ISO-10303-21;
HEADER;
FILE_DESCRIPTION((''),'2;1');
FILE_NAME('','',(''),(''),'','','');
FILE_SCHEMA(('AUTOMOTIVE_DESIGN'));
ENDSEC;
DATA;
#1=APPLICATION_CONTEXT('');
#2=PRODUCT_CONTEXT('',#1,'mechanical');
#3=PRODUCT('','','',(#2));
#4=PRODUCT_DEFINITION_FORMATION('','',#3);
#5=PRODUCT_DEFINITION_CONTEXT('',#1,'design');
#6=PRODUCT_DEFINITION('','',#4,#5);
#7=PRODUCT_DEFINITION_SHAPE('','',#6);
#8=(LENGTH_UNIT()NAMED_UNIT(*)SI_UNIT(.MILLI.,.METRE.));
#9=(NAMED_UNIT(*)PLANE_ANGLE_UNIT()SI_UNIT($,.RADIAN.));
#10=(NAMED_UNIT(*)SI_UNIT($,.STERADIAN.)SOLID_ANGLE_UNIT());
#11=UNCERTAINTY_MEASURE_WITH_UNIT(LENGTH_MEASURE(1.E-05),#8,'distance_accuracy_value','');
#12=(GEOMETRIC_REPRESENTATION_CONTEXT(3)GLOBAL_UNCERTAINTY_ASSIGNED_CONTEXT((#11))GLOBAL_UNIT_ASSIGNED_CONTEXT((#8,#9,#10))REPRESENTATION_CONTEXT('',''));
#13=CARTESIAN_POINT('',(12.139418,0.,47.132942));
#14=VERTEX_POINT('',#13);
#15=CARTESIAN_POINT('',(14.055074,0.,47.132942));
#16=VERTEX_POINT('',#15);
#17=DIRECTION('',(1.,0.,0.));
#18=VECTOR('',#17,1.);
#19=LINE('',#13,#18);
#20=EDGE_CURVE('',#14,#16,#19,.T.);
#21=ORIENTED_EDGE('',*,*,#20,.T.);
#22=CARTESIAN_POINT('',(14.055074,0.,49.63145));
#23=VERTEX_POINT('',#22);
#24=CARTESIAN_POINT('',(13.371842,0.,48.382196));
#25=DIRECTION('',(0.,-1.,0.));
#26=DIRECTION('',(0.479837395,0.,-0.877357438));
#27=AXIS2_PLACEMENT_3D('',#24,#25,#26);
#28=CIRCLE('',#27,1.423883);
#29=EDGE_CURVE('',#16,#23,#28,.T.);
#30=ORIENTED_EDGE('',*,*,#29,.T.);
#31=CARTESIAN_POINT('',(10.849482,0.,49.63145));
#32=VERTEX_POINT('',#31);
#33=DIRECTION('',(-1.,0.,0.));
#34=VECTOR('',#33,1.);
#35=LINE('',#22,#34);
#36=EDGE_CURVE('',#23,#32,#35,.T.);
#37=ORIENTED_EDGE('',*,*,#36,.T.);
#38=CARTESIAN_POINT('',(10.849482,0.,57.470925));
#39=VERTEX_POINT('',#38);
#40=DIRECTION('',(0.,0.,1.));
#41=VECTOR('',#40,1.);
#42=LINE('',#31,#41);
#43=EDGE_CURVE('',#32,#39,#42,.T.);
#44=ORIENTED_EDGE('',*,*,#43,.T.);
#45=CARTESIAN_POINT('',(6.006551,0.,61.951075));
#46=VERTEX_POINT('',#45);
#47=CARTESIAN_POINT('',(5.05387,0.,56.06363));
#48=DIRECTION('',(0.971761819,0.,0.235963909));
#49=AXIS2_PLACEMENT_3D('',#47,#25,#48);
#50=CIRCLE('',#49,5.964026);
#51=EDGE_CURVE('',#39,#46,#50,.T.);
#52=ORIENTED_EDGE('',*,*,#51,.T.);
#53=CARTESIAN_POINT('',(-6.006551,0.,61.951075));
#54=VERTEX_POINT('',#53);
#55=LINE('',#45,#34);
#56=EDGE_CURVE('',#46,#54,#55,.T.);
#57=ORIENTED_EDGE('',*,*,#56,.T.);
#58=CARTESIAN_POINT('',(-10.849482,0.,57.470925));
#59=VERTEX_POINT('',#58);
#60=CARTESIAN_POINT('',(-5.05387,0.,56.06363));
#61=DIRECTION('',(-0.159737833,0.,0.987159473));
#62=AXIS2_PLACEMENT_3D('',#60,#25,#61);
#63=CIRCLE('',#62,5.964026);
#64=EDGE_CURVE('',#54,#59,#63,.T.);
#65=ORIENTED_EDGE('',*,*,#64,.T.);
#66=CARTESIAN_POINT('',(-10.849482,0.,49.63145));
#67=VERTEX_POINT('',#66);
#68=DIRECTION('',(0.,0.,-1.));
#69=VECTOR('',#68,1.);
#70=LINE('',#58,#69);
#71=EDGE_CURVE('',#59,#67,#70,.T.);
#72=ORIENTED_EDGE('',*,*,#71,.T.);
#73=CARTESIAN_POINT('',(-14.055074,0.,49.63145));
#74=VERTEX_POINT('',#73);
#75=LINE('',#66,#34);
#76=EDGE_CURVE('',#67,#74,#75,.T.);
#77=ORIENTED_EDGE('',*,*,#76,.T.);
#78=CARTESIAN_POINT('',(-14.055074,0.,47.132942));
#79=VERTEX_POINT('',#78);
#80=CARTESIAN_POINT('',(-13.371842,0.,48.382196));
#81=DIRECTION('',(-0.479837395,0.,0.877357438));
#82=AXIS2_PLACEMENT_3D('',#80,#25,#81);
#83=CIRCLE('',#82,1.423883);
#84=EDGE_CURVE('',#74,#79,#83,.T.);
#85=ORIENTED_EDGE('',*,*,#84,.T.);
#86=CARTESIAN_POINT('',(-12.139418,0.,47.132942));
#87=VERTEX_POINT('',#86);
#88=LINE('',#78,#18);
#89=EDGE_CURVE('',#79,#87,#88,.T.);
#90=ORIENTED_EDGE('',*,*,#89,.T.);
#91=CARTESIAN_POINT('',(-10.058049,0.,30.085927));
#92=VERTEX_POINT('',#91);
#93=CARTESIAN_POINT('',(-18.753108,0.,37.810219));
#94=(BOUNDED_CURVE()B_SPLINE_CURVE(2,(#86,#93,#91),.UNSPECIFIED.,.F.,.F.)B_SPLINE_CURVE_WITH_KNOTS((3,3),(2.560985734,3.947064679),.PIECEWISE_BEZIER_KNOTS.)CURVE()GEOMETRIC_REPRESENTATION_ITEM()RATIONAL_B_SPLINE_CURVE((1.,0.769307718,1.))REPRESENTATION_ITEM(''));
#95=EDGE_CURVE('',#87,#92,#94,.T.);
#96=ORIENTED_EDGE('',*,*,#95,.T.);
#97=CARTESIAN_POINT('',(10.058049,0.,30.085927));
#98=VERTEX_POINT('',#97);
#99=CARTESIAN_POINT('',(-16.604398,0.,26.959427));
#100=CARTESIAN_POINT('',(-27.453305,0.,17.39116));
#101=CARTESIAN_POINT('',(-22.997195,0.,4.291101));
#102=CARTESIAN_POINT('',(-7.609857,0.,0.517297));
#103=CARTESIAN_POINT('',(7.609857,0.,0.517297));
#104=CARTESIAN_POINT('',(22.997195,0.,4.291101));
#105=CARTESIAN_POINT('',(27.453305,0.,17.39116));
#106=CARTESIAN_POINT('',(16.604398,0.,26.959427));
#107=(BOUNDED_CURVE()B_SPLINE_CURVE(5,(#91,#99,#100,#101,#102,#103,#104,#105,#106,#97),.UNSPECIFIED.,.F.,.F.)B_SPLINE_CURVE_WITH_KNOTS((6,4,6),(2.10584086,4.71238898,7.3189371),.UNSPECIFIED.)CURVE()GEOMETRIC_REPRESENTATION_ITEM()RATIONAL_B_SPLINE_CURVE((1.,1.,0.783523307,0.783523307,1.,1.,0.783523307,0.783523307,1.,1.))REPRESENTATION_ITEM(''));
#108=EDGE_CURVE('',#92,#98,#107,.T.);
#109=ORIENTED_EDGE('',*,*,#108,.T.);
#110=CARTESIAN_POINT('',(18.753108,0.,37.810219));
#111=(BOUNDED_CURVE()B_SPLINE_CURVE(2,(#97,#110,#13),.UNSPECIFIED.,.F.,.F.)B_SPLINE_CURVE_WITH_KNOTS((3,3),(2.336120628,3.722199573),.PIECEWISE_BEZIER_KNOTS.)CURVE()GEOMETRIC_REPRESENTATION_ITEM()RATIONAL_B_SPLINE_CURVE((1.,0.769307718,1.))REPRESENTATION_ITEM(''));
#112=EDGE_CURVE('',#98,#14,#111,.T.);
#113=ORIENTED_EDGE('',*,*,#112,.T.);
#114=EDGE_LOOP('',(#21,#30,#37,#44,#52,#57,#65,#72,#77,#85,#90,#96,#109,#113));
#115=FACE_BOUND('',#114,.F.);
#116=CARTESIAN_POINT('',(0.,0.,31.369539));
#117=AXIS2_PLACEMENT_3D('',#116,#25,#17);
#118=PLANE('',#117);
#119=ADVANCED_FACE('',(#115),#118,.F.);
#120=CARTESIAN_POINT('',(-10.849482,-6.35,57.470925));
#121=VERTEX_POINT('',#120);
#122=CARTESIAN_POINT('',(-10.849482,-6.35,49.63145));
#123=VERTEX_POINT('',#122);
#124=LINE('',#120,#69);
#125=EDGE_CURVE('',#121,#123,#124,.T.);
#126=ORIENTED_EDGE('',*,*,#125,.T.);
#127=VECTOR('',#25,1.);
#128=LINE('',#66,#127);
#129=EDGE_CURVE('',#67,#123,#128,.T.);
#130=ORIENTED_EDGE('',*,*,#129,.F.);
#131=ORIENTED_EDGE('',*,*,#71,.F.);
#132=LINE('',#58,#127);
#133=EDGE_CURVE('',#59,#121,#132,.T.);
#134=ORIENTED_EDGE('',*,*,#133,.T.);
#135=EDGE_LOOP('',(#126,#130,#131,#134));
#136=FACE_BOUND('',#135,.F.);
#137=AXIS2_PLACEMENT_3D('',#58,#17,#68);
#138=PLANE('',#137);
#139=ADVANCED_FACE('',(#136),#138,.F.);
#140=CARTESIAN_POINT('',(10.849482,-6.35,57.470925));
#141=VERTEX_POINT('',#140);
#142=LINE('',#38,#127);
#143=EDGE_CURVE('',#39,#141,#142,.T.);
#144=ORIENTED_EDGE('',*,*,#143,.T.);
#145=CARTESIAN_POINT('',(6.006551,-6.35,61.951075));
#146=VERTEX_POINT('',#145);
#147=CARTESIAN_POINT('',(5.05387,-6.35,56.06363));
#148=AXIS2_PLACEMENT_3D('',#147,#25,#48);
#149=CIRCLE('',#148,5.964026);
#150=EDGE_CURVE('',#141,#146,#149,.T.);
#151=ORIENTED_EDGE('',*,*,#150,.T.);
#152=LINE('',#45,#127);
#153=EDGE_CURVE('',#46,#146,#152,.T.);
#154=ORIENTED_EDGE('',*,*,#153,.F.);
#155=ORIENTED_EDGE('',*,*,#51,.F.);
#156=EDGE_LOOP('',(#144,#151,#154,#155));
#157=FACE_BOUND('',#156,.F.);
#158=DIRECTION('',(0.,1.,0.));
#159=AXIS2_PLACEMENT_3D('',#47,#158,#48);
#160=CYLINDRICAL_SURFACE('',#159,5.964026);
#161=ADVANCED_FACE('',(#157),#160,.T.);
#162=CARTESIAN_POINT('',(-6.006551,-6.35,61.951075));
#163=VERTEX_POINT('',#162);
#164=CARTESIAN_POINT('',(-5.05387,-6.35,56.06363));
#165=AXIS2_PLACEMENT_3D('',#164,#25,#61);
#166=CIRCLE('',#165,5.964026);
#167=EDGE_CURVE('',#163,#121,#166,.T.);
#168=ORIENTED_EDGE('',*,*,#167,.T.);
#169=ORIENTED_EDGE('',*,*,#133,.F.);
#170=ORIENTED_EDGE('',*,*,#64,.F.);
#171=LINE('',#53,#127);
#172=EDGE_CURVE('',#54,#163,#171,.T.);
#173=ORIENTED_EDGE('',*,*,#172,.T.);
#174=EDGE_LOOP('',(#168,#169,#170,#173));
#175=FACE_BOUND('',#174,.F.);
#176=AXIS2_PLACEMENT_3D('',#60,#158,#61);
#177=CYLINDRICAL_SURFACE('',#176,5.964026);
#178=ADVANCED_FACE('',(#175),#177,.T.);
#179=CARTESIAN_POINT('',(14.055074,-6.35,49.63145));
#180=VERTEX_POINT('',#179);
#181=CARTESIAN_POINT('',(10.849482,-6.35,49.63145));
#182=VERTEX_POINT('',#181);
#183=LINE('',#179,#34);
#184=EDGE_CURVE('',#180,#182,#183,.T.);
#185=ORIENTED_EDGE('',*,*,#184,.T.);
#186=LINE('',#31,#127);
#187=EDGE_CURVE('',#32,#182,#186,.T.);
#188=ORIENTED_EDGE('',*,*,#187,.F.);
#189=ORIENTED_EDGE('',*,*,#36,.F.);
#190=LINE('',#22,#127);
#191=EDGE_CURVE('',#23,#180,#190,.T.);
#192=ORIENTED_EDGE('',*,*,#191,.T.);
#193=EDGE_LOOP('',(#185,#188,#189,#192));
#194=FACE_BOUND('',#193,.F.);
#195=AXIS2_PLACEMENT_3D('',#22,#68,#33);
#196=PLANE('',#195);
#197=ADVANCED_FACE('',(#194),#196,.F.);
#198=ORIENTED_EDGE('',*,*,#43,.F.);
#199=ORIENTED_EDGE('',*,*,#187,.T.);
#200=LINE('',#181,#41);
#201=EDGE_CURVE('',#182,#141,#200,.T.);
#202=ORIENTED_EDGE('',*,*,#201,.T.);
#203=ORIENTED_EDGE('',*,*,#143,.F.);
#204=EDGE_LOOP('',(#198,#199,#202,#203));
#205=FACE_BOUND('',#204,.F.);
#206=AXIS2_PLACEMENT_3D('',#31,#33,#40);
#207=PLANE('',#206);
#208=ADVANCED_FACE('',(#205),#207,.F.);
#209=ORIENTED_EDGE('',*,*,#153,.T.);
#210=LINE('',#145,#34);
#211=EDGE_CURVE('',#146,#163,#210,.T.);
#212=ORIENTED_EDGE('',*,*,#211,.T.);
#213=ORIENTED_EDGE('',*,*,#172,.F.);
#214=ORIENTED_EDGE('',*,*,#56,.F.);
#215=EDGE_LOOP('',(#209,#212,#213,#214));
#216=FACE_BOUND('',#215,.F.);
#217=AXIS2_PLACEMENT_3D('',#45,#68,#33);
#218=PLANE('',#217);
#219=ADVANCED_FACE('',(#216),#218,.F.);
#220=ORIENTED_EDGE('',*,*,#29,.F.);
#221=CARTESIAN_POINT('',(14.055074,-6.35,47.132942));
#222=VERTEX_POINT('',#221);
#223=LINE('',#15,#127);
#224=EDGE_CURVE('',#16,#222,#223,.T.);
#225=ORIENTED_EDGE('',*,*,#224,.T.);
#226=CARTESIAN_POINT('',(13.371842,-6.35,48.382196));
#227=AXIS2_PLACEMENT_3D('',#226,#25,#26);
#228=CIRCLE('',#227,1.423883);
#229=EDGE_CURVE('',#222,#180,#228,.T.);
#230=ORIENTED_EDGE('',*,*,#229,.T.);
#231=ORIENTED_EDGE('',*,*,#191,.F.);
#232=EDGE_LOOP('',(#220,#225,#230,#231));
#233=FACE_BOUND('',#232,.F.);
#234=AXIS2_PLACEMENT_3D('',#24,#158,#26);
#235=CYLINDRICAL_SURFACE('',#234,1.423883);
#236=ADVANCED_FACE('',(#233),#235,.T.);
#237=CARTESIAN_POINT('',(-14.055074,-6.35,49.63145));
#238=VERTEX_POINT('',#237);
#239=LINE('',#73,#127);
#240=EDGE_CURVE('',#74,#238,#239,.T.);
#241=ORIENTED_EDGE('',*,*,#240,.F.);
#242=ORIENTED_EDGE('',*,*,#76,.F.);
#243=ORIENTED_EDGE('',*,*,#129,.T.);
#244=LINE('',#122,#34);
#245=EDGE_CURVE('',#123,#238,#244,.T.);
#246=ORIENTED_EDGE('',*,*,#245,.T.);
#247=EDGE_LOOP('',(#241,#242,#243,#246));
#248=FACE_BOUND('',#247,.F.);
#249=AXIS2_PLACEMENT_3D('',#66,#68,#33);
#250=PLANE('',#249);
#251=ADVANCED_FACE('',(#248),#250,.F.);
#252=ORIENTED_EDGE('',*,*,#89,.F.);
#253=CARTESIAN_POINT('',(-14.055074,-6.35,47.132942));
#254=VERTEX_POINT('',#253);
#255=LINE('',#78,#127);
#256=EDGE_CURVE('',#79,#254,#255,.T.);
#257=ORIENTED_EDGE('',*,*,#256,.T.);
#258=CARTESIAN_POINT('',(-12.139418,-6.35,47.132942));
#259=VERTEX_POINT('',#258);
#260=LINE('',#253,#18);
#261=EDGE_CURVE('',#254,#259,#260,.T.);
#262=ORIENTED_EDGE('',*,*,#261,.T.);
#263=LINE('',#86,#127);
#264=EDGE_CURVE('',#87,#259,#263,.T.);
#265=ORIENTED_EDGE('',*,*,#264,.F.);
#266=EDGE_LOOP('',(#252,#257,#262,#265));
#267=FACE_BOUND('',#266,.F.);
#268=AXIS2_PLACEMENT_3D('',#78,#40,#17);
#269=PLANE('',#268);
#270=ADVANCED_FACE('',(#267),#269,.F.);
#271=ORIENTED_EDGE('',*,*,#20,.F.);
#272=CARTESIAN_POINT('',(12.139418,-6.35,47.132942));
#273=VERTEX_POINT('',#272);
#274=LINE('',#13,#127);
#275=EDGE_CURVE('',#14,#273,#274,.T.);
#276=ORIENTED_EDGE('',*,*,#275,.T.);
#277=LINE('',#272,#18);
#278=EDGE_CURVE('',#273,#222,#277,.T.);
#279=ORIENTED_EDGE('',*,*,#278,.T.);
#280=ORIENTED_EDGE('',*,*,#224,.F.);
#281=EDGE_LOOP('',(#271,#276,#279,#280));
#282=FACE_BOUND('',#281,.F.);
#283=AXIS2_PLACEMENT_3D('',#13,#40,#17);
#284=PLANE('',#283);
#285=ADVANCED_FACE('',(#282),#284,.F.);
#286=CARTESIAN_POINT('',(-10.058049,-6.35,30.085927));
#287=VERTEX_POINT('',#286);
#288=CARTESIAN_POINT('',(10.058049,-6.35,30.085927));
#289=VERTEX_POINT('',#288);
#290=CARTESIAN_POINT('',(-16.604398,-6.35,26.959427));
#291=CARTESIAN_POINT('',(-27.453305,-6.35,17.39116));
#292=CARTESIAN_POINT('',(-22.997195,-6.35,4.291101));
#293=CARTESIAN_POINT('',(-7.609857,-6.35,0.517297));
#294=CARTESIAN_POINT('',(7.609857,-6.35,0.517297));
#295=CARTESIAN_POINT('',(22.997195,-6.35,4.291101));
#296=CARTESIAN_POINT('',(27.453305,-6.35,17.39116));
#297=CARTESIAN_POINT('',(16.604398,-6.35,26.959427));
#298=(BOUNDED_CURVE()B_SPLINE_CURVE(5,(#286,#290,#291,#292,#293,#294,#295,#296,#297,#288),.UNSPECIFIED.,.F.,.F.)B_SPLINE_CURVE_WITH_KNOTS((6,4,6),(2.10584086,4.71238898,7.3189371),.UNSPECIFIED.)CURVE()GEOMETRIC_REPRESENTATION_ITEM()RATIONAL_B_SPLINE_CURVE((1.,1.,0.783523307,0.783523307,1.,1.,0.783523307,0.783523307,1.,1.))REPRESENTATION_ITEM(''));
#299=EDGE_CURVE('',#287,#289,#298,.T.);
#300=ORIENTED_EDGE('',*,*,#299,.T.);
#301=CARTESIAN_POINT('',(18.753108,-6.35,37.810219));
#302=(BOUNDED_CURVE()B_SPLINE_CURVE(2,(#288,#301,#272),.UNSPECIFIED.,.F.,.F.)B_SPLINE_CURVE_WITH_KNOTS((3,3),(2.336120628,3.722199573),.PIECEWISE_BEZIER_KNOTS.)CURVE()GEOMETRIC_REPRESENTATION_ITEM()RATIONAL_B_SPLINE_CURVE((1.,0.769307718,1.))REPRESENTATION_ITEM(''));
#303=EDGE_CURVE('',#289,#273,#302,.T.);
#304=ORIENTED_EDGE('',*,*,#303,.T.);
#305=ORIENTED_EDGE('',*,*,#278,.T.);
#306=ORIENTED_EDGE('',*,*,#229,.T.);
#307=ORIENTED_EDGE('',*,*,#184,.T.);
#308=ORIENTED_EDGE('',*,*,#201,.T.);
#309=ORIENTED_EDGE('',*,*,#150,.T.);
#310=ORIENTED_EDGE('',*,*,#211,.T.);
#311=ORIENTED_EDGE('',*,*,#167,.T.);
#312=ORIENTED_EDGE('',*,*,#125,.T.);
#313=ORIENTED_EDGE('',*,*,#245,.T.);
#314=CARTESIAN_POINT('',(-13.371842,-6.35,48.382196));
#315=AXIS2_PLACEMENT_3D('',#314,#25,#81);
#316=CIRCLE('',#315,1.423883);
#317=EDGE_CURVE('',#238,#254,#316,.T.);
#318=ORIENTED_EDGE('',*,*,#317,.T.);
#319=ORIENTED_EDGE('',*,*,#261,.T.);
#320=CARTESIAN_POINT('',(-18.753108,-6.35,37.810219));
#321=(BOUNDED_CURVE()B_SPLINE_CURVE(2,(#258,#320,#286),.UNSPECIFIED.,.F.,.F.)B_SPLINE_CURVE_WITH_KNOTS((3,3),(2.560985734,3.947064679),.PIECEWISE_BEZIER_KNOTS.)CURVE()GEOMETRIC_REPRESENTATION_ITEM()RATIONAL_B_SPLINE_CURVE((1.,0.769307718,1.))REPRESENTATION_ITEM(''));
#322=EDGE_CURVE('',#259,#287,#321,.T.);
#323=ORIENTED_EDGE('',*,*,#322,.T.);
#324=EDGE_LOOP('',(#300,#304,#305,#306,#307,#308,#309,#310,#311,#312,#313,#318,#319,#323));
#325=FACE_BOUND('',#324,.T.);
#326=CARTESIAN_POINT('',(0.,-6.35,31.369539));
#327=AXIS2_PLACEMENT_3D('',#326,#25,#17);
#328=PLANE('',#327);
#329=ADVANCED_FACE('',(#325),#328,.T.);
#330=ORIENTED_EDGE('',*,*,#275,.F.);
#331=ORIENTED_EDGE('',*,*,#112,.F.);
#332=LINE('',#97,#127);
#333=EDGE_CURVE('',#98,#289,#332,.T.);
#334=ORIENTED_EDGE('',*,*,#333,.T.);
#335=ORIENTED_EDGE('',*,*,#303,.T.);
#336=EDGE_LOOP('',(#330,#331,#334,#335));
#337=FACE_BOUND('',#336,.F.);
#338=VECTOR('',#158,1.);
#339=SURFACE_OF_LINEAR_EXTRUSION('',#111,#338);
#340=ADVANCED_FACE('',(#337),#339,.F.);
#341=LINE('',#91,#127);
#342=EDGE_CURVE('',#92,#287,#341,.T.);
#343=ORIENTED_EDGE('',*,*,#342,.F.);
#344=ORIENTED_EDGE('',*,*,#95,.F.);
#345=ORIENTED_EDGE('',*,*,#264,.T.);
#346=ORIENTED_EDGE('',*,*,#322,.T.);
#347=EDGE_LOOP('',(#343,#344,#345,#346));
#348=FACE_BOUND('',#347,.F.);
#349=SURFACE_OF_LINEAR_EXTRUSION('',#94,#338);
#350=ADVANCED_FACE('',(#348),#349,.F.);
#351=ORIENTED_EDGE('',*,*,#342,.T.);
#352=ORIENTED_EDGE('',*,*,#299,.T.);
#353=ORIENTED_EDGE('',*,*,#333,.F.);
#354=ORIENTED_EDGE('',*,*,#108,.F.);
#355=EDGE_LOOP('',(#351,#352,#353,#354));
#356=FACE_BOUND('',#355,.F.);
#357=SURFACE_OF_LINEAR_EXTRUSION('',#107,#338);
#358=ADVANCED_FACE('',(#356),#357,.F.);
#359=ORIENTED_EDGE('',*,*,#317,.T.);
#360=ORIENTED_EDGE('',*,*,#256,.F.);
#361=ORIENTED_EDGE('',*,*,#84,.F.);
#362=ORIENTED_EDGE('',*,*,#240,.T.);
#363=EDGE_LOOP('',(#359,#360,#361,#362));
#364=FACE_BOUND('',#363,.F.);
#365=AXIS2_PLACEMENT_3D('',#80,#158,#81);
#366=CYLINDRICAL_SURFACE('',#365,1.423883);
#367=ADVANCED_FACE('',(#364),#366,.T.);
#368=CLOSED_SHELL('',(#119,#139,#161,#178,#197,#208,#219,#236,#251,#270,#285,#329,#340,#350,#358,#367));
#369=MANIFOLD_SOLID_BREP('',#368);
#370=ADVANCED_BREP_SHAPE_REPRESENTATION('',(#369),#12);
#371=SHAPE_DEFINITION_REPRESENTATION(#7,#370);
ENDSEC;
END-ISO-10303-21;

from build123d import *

# Parameters (mm, degrees)
F1_DEPTH = 6.35


with BuildPart() as f1:
    # F0 (on Front) → F1 (new body)
    with BuildSketch(Plane.XZ):
        with BuildLine():
            add(Edge.make_bspline(
                [(-12.139418245, 47.1329423471), (-18.7531081492, 37.8102192035), (-10.0580494758, 30.0859272534)],
                knots=[2.560985734, 2.560985734, 2.560985734, 3.9470646787, 3.9470646787, 3.9470646787], degree=2, weights=[1, 0.7693077183, 1]))
            add(Edge.make_bspline(
                [(-10.0580494758, 30.0859272534), (-71.9696320583, 0.5172969751), (0, 0.5172969751)],
                knots=[2.1058408604, 2.1058408604, 2.1058408604, 4.7123889804, 4.7123889804, 4.7123889804], degree=2, weights=[1, 0.2643426533, 1]))
            add(Edge.make_bspline(
                [(0, 0.5172969751), (71.9696320583, 0.5172969751), (10.0580494758, 30.0859272534)],
                knots=[1.5707963268, 1.5707963268, 1.5707963268, 4.1773444467, 4.1773444467, 4.1773444467], degree=2, weights=[1, 0.2643426533, 1]))
            add(Edge.make_bspline(
                [(10.0580494758, 30.0859272534), (18.7531081492, 37.8102192035), (12.139418245, 47.1329423471)],
                knots=[2.3361206285, 2.3361206285, 2.3361206285, 3.7221995732, 3.7221995732, 3.7221995732], degree=2, weights=[1, 0.7693077183, 1]))
            Line((12.139418245, 47.1329423471), (14.0550736764, 47.1329423471))
            ThreePointArc((14.0550736764, 47.1329423471), (14.7957241581, 48.3821963362), (14.0550736764, 49.6314503253))
            Line((14.0550736764, 49.6314503253), (10.8494823799, 49.6314503253))
            Line((10.8494823799, 49.6314503253), (10.8494823799, 57.4709251523))
            ThreePointArc((10.8494823799, 57.4709251523), (9.1039069514, 60.4416210171), (6.0065505095, 61.9510747492))
            Line((6.0065505095, 61.9510747492), (0, 61.9510747492))
            Line((0, 61.9510747492), (-6.0065505095, 61.9510747492))
            ThreePointArc((-6.0065505095, 61.9510747492), (-9.1039069514, 60.4416210171), (-10.8494823799, 57.4709251523))
            Line((-10.8494823799, 57.4709251523), (-10.8494823799, 49.6314503253))
            Line((-10.8494823799, 49.6314503253), (-14.0550736764, 49.6314503253))
            ThreePointArc((-14.0550736764, 49.6314503253), (-14.7957241581, 48.3821963362), (-14.0550736764, 47.1329423471))
            Line((-14.0550736764, 47.1329423471), (-12.139418245, 47.1329423471))
        make_face()
    extrude(amount=F1_DEPTH)


solid = f1.part
